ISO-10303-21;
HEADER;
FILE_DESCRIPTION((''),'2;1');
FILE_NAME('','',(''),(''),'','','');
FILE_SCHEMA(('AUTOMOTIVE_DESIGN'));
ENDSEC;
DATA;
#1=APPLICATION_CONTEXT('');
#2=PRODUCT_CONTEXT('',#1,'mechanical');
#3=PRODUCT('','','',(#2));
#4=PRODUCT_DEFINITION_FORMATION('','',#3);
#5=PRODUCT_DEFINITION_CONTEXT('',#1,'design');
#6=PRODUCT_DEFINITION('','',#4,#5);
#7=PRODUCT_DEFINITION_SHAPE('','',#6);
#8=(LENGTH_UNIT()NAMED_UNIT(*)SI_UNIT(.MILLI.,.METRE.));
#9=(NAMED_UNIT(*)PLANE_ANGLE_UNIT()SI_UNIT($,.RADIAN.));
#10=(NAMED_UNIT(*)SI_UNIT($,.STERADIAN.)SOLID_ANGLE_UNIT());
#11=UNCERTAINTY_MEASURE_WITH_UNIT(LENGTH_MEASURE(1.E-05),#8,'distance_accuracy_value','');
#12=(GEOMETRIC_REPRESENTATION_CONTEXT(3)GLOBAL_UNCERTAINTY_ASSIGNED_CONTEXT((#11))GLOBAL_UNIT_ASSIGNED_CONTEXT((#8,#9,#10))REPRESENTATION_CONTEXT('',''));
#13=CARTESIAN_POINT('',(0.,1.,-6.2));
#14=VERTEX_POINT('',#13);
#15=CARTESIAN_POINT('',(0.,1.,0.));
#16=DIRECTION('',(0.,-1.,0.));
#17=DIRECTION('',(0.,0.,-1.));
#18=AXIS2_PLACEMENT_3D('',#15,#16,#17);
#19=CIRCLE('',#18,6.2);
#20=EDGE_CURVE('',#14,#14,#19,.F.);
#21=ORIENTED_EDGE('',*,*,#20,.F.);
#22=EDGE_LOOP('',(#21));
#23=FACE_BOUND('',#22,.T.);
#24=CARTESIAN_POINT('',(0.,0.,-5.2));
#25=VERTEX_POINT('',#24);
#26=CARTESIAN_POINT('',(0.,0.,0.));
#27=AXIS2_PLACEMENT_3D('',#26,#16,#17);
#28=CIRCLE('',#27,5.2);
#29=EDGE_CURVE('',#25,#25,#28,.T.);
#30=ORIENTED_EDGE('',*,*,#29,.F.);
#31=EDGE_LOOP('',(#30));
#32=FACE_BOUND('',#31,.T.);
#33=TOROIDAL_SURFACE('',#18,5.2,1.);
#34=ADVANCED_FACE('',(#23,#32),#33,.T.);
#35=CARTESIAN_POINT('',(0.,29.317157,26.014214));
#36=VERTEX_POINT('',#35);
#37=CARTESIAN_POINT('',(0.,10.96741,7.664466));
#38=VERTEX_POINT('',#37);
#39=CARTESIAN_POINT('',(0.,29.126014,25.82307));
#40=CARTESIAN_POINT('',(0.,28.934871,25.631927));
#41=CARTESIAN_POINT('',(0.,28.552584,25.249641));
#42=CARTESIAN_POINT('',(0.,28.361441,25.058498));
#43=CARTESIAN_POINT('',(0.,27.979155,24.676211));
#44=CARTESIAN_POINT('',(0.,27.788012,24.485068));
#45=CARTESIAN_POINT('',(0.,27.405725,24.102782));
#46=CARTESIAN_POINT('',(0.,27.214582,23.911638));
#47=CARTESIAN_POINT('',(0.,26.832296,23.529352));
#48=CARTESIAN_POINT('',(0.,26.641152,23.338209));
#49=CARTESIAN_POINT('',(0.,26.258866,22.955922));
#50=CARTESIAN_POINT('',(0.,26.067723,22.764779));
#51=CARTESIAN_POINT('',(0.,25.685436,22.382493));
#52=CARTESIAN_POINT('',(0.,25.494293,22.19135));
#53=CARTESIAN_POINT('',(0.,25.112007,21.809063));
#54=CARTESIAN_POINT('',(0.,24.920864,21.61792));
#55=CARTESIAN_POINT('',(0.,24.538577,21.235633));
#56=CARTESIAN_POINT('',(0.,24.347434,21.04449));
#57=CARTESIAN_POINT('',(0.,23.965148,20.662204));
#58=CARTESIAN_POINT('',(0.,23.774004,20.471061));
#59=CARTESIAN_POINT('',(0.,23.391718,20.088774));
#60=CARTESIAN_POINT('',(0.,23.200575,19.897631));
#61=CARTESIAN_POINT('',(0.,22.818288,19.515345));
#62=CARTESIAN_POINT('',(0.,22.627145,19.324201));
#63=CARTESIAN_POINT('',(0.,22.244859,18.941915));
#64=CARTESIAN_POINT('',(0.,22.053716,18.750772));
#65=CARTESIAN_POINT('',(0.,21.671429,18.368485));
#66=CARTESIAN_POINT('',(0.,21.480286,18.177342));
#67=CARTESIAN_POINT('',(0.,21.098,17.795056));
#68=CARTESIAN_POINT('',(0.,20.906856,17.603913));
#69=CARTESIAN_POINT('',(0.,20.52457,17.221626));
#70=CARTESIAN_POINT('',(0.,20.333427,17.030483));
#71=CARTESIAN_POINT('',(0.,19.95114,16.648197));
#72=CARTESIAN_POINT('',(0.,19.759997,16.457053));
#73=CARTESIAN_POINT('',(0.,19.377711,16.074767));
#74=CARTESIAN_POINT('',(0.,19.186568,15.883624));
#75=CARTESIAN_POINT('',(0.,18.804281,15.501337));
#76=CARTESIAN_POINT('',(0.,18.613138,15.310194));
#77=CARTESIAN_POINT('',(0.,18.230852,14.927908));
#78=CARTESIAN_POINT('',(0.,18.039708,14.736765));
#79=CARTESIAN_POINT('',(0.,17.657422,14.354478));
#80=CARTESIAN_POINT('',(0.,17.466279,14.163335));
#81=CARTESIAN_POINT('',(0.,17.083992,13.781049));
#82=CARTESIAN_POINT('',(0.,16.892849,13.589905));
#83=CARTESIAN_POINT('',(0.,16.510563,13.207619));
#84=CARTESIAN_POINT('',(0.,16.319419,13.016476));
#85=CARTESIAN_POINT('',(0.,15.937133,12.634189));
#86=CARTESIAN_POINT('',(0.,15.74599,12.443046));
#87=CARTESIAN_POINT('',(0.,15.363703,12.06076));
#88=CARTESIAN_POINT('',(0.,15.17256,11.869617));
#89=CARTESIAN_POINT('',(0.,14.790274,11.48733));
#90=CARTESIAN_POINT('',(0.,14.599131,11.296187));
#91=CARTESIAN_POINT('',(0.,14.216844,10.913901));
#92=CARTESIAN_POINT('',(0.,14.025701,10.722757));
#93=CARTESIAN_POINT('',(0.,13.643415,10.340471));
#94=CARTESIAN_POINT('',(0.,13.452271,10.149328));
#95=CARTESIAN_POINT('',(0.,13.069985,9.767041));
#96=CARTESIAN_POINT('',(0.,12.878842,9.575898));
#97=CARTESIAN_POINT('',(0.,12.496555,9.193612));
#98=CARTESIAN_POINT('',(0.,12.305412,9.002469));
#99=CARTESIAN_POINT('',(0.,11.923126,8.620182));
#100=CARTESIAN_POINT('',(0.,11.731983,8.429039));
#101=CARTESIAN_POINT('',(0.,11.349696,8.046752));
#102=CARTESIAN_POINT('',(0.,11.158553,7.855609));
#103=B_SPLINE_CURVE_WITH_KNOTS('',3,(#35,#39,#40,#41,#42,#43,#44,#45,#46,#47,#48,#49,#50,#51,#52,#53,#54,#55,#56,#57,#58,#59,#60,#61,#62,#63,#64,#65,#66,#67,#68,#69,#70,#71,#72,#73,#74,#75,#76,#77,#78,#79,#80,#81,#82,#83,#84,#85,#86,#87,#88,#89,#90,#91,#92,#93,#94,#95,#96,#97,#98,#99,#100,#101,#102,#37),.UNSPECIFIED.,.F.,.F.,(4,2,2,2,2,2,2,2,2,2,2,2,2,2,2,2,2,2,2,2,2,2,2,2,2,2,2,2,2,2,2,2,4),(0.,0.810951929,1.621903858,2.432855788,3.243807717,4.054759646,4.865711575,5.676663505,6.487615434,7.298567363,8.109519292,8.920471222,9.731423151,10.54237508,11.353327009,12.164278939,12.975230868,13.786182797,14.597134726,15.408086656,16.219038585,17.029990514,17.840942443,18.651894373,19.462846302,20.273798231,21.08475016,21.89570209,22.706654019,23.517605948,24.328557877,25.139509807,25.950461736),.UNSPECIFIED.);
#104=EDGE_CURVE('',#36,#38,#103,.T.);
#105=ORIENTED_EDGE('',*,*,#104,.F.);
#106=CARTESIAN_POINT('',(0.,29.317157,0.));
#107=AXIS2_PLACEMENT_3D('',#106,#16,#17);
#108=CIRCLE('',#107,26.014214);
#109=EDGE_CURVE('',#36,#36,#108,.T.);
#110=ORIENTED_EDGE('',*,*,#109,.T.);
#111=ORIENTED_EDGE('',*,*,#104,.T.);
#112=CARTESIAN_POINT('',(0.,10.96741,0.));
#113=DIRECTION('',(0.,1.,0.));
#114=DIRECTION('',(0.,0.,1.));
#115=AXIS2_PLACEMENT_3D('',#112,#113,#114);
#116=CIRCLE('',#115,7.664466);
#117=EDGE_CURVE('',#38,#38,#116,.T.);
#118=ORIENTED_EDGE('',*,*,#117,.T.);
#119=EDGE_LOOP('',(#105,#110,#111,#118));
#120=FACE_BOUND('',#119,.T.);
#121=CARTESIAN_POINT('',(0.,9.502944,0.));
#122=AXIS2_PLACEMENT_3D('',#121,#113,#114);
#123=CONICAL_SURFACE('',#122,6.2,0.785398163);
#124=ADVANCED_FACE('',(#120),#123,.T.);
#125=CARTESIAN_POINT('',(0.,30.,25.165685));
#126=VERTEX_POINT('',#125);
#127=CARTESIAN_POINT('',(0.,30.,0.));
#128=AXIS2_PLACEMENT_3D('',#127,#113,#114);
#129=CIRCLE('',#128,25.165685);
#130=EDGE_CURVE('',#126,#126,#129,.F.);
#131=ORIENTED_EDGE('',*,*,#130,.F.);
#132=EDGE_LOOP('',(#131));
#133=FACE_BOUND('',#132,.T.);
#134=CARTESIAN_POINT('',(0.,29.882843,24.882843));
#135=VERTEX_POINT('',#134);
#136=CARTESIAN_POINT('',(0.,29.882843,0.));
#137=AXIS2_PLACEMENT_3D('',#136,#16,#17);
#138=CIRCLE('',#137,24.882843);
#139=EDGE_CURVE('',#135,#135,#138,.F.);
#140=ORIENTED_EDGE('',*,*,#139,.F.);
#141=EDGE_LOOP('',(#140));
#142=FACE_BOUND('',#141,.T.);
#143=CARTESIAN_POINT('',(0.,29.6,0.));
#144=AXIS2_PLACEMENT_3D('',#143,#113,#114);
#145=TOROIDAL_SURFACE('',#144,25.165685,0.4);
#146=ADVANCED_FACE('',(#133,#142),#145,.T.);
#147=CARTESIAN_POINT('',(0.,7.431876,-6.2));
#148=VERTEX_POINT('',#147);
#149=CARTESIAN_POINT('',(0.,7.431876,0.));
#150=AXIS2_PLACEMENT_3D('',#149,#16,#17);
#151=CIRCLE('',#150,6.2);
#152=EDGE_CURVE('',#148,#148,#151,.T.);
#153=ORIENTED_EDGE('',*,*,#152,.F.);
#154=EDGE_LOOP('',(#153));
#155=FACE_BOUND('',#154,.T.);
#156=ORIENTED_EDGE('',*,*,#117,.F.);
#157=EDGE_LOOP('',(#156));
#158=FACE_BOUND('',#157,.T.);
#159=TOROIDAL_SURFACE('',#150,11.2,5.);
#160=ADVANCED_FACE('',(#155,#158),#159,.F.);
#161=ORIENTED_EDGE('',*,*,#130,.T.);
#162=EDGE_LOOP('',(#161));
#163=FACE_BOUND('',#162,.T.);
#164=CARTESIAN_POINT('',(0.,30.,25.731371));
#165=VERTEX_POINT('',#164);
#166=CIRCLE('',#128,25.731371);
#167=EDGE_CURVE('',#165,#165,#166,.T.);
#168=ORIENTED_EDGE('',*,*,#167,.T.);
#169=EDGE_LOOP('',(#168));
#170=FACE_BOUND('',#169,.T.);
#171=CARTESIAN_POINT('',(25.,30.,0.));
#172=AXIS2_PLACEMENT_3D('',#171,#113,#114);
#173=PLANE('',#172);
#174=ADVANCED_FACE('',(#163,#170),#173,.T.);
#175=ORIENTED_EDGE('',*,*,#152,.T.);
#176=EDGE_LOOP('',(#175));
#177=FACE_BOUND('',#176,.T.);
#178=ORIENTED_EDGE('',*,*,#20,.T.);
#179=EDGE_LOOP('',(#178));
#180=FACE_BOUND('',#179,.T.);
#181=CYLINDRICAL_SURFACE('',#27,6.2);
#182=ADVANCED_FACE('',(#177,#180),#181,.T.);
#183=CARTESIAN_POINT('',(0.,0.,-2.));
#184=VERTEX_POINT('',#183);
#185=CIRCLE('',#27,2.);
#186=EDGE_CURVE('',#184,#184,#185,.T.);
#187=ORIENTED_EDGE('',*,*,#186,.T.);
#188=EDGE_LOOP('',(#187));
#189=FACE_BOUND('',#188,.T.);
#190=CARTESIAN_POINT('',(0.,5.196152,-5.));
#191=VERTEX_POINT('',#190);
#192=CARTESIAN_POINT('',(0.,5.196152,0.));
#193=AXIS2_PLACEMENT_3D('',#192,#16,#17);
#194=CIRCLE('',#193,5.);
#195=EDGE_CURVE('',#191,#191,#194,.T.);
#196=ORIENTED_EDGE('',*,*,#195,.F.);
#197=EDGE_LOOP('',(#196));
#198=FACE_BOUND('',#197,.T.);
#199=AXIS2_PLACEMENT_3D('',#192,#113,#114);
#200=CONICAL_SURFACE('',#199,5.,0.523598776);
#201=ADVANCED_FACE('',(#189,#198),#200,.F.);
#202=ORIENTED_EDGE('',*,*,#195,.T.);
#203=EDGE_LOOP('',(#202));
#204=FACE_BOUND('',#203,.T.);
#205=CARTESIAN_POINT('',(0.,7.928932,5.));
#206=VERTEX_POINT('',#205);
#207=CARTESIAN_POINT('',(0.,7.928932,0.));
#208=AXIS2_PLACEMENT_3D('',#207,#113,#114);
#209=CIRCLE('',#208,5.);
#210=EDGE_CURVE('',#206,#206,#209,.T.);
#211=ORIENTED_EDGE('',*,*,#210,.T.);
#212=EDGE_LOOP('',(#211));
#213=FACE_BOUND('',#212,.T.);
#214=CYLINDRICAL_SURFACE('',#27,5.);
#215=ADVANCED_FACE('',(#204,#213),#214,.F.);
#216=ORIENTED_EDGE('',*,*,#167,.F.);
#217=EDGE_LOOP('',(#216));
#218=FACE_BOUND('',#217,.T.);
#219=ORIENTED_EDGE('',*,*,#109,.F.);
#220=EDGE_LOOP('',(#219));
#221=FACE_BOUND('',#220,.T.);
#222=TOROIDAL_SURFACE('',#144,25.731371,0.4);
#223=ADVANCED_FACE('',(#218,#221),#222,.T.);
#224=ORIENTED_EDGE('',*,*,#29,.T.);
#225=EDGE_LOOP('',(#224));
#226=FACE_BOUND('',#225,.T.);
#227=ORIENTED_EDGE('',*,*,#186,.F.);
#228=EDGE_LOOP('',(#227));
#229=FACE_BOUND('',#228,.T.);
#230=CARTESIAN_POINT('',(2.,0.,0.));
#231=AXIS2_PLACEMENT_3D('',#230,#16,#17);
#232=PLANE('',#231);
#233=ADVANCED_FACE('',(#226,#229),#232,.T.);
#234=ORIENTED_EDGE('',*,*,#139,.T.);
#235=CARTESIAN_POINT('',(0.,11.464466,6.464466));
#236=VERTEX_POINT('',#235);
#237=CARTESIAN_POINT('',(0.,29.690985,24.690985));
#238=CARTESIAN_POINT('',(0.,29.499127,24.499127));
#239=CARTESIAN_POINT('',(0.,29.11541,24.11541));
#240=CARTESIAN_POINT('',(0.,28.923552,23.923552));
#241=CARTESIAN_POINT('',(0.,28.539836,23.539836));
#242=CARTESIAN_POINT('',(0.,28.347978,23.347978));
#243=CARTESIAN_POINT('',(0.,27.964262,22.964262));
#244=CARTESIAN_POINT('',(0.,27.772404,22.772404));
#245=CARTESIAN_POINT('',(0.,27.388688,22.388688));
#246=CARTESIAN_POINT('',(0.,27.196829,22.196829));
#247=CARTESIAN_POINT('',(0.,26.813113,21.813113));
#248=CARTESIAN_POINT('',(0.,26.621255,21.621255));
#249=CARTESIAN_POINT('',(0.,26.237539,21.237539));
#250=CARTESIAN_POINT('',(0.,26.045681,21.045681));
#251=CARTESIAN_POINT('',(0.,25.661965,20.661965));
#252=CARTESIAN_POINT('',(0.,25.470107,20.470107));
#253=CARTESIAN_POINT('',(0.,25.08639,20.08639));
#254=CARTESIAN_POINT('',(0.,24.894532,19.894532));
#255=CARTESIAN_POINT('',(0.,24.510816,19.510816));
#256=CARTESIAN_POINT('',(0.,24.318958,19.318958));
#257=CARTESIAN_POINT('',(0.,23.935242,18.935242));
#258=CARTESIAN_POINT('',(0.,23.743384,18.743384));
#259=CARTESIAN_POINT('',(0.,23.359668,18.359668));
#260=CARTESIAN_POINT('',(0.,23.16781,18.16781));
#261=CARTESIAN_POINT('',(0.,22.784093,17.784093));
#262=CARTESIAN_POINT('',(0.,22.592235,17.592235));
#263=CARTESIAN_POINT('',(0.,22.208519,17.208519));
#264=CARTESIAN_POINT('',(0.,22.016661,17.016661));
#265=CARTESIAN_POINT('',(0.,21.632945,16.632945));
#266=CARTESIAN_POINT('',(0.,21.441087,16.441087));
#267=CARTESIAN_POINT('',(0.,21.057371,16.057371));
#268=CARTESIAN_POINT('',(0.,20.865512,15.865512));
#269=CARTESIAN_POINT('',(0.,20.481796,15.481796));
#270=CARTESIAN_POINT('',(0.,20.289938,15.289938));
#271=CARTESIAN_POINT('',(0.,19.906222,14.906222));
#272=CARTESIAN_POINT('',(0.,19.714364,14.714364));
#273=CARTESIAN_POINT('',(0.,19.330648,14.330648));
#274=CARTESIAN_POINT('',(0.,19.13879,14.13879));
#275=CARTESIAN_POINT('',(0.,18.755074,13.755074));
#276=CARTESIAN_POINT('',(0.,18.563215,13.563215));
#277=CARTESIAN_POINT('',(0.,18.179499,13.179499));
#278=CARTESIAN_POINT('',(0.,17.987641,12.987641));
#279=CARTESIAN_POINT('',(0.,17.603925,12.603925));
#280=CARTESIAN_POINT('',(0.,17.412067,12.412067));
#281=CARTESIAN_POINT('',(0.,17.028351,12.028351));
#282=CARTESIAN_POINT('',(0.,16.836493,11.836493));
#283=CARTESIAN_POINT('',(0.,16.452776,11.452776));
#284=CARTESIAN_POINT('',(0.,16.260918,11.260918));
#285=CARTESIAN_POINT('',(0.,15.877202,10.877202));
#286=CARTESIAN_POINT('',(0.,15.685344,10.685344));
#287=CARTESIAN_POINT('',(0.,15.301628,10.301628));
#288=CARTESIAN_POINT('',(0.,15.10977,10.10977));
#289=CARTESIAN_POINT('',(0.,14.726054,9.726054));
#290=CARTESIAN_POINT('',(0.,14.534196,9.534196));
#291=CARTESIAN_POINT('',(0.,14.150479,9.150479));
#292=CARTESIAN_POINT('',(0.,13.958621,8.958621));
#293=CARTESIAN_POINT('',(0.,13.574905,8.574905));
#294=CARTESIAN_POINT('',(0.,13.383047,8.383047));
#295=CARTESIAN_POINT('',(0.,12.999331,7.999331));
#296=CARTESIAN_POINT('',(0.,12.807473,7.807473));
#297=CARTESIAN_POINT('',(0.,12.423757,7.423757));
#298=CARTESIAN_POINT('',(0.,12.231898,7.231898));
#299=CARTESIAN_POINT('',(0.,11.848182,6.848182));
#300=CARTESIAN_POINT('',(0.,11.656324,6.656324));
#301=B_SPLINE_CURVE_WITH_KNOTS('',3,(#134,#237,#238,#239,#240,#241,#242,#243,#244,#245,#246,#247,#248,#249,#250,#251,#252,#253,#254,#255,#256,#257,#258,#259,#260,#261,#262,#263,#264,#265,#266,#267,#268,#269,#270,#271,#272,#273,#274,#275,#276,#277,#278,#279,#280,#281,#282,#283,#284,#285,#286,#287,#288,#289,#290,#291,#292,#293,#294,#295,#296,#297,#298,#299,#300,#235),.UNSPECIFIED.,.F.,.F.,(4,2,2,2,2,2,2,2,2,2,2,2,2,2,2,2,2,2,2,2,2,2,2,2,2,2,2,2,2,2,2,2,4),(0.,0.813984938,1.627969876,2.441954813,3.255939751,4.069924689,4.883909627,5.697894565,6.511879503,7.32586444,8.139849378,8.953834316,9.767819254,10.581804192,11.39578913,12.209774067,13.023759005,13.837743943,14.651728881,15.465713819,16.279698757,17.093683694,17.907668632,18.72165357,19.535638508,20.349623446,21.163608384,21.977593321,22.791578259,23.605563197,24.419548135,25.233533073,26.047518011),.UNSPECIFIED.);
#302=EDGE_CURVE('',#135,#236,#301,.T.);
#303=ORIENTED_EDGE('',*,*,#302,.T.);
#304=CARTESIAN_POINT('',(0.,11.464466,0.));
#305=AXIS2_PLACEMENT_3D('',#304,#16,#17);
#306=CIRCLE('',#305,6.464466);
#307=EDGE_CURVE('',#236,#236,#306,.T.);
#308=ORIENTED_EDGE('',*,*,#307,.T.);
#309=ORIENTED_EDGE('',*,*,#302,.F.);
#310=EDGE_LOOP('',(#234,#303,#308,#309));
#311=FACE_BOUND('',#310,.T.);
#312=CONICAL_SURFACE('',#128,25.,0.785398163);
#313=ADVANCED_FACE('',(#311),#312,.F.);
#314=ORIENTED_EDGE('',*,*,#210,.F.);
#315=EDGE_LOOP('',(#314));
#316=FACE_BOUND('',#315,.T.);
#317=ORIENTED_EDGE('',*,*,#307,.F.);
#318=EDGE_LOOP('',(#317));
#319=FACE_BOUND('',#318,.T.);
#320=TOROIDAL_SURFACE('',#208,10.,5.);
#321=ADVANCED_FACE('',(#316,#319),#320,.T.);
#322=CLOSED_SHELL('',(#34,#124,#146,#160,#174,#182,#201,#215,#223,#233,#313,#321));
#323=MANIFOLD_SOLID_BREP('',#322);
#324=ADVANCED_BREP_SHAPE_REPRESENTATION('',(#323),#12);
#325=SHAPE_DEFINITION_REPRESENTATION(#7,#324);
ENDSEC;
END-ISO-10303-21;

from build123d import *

# Parameters (mm, degrees)
FILLET1_R = 5
FILLET2_R = 0.4
FILLET3_R = 1


with BuildPart() as part:
    # Sketch1 → Revolve1 (revolve)
    with BuildSketch(Plane.XY, mode=Mode.PRIVATE) as revolve1_sk:
        Polygon((5, 5.196152423), (5, 10), (25, 30), (26.697056275, 30), (6.2, 9.502943725), (6.2, 4.874613392), (6.2, 0), (2, 0), align=None)
    revolve(revolve1_sk.sketch.rotate(Axis((0, 0, 0), (0, 1, 0)), 90), axis=Axis((0, 0, 0), (0, 1, 0)))

    # Fillet1
    fillet1_edges = [part.edges().sort_by_distance(p)[0] for p in [
        (0, 9.502943725, 6.2),
        (0, 10, 5),
    ]]
    fillet(fillet1_edges, radius=FILLET1_R)

    # Fillet2
    fillet2_edges = [part.edges().sort_by_distance(p)[0] for p in [
        (0, 30, 26.697056275),
        (0, 30, 25),
    ]]
    fillet(fillet2_edges, radius=FILLET2_R)

    # Fillet3
    fillet3_edges = [part.edges().sort_by_distance(p)[0] for p in [
        (0, 0, 6.2),
    ]]
    fillet(fillet3_edges, radius=FILLET3_R)


solid = part.part
